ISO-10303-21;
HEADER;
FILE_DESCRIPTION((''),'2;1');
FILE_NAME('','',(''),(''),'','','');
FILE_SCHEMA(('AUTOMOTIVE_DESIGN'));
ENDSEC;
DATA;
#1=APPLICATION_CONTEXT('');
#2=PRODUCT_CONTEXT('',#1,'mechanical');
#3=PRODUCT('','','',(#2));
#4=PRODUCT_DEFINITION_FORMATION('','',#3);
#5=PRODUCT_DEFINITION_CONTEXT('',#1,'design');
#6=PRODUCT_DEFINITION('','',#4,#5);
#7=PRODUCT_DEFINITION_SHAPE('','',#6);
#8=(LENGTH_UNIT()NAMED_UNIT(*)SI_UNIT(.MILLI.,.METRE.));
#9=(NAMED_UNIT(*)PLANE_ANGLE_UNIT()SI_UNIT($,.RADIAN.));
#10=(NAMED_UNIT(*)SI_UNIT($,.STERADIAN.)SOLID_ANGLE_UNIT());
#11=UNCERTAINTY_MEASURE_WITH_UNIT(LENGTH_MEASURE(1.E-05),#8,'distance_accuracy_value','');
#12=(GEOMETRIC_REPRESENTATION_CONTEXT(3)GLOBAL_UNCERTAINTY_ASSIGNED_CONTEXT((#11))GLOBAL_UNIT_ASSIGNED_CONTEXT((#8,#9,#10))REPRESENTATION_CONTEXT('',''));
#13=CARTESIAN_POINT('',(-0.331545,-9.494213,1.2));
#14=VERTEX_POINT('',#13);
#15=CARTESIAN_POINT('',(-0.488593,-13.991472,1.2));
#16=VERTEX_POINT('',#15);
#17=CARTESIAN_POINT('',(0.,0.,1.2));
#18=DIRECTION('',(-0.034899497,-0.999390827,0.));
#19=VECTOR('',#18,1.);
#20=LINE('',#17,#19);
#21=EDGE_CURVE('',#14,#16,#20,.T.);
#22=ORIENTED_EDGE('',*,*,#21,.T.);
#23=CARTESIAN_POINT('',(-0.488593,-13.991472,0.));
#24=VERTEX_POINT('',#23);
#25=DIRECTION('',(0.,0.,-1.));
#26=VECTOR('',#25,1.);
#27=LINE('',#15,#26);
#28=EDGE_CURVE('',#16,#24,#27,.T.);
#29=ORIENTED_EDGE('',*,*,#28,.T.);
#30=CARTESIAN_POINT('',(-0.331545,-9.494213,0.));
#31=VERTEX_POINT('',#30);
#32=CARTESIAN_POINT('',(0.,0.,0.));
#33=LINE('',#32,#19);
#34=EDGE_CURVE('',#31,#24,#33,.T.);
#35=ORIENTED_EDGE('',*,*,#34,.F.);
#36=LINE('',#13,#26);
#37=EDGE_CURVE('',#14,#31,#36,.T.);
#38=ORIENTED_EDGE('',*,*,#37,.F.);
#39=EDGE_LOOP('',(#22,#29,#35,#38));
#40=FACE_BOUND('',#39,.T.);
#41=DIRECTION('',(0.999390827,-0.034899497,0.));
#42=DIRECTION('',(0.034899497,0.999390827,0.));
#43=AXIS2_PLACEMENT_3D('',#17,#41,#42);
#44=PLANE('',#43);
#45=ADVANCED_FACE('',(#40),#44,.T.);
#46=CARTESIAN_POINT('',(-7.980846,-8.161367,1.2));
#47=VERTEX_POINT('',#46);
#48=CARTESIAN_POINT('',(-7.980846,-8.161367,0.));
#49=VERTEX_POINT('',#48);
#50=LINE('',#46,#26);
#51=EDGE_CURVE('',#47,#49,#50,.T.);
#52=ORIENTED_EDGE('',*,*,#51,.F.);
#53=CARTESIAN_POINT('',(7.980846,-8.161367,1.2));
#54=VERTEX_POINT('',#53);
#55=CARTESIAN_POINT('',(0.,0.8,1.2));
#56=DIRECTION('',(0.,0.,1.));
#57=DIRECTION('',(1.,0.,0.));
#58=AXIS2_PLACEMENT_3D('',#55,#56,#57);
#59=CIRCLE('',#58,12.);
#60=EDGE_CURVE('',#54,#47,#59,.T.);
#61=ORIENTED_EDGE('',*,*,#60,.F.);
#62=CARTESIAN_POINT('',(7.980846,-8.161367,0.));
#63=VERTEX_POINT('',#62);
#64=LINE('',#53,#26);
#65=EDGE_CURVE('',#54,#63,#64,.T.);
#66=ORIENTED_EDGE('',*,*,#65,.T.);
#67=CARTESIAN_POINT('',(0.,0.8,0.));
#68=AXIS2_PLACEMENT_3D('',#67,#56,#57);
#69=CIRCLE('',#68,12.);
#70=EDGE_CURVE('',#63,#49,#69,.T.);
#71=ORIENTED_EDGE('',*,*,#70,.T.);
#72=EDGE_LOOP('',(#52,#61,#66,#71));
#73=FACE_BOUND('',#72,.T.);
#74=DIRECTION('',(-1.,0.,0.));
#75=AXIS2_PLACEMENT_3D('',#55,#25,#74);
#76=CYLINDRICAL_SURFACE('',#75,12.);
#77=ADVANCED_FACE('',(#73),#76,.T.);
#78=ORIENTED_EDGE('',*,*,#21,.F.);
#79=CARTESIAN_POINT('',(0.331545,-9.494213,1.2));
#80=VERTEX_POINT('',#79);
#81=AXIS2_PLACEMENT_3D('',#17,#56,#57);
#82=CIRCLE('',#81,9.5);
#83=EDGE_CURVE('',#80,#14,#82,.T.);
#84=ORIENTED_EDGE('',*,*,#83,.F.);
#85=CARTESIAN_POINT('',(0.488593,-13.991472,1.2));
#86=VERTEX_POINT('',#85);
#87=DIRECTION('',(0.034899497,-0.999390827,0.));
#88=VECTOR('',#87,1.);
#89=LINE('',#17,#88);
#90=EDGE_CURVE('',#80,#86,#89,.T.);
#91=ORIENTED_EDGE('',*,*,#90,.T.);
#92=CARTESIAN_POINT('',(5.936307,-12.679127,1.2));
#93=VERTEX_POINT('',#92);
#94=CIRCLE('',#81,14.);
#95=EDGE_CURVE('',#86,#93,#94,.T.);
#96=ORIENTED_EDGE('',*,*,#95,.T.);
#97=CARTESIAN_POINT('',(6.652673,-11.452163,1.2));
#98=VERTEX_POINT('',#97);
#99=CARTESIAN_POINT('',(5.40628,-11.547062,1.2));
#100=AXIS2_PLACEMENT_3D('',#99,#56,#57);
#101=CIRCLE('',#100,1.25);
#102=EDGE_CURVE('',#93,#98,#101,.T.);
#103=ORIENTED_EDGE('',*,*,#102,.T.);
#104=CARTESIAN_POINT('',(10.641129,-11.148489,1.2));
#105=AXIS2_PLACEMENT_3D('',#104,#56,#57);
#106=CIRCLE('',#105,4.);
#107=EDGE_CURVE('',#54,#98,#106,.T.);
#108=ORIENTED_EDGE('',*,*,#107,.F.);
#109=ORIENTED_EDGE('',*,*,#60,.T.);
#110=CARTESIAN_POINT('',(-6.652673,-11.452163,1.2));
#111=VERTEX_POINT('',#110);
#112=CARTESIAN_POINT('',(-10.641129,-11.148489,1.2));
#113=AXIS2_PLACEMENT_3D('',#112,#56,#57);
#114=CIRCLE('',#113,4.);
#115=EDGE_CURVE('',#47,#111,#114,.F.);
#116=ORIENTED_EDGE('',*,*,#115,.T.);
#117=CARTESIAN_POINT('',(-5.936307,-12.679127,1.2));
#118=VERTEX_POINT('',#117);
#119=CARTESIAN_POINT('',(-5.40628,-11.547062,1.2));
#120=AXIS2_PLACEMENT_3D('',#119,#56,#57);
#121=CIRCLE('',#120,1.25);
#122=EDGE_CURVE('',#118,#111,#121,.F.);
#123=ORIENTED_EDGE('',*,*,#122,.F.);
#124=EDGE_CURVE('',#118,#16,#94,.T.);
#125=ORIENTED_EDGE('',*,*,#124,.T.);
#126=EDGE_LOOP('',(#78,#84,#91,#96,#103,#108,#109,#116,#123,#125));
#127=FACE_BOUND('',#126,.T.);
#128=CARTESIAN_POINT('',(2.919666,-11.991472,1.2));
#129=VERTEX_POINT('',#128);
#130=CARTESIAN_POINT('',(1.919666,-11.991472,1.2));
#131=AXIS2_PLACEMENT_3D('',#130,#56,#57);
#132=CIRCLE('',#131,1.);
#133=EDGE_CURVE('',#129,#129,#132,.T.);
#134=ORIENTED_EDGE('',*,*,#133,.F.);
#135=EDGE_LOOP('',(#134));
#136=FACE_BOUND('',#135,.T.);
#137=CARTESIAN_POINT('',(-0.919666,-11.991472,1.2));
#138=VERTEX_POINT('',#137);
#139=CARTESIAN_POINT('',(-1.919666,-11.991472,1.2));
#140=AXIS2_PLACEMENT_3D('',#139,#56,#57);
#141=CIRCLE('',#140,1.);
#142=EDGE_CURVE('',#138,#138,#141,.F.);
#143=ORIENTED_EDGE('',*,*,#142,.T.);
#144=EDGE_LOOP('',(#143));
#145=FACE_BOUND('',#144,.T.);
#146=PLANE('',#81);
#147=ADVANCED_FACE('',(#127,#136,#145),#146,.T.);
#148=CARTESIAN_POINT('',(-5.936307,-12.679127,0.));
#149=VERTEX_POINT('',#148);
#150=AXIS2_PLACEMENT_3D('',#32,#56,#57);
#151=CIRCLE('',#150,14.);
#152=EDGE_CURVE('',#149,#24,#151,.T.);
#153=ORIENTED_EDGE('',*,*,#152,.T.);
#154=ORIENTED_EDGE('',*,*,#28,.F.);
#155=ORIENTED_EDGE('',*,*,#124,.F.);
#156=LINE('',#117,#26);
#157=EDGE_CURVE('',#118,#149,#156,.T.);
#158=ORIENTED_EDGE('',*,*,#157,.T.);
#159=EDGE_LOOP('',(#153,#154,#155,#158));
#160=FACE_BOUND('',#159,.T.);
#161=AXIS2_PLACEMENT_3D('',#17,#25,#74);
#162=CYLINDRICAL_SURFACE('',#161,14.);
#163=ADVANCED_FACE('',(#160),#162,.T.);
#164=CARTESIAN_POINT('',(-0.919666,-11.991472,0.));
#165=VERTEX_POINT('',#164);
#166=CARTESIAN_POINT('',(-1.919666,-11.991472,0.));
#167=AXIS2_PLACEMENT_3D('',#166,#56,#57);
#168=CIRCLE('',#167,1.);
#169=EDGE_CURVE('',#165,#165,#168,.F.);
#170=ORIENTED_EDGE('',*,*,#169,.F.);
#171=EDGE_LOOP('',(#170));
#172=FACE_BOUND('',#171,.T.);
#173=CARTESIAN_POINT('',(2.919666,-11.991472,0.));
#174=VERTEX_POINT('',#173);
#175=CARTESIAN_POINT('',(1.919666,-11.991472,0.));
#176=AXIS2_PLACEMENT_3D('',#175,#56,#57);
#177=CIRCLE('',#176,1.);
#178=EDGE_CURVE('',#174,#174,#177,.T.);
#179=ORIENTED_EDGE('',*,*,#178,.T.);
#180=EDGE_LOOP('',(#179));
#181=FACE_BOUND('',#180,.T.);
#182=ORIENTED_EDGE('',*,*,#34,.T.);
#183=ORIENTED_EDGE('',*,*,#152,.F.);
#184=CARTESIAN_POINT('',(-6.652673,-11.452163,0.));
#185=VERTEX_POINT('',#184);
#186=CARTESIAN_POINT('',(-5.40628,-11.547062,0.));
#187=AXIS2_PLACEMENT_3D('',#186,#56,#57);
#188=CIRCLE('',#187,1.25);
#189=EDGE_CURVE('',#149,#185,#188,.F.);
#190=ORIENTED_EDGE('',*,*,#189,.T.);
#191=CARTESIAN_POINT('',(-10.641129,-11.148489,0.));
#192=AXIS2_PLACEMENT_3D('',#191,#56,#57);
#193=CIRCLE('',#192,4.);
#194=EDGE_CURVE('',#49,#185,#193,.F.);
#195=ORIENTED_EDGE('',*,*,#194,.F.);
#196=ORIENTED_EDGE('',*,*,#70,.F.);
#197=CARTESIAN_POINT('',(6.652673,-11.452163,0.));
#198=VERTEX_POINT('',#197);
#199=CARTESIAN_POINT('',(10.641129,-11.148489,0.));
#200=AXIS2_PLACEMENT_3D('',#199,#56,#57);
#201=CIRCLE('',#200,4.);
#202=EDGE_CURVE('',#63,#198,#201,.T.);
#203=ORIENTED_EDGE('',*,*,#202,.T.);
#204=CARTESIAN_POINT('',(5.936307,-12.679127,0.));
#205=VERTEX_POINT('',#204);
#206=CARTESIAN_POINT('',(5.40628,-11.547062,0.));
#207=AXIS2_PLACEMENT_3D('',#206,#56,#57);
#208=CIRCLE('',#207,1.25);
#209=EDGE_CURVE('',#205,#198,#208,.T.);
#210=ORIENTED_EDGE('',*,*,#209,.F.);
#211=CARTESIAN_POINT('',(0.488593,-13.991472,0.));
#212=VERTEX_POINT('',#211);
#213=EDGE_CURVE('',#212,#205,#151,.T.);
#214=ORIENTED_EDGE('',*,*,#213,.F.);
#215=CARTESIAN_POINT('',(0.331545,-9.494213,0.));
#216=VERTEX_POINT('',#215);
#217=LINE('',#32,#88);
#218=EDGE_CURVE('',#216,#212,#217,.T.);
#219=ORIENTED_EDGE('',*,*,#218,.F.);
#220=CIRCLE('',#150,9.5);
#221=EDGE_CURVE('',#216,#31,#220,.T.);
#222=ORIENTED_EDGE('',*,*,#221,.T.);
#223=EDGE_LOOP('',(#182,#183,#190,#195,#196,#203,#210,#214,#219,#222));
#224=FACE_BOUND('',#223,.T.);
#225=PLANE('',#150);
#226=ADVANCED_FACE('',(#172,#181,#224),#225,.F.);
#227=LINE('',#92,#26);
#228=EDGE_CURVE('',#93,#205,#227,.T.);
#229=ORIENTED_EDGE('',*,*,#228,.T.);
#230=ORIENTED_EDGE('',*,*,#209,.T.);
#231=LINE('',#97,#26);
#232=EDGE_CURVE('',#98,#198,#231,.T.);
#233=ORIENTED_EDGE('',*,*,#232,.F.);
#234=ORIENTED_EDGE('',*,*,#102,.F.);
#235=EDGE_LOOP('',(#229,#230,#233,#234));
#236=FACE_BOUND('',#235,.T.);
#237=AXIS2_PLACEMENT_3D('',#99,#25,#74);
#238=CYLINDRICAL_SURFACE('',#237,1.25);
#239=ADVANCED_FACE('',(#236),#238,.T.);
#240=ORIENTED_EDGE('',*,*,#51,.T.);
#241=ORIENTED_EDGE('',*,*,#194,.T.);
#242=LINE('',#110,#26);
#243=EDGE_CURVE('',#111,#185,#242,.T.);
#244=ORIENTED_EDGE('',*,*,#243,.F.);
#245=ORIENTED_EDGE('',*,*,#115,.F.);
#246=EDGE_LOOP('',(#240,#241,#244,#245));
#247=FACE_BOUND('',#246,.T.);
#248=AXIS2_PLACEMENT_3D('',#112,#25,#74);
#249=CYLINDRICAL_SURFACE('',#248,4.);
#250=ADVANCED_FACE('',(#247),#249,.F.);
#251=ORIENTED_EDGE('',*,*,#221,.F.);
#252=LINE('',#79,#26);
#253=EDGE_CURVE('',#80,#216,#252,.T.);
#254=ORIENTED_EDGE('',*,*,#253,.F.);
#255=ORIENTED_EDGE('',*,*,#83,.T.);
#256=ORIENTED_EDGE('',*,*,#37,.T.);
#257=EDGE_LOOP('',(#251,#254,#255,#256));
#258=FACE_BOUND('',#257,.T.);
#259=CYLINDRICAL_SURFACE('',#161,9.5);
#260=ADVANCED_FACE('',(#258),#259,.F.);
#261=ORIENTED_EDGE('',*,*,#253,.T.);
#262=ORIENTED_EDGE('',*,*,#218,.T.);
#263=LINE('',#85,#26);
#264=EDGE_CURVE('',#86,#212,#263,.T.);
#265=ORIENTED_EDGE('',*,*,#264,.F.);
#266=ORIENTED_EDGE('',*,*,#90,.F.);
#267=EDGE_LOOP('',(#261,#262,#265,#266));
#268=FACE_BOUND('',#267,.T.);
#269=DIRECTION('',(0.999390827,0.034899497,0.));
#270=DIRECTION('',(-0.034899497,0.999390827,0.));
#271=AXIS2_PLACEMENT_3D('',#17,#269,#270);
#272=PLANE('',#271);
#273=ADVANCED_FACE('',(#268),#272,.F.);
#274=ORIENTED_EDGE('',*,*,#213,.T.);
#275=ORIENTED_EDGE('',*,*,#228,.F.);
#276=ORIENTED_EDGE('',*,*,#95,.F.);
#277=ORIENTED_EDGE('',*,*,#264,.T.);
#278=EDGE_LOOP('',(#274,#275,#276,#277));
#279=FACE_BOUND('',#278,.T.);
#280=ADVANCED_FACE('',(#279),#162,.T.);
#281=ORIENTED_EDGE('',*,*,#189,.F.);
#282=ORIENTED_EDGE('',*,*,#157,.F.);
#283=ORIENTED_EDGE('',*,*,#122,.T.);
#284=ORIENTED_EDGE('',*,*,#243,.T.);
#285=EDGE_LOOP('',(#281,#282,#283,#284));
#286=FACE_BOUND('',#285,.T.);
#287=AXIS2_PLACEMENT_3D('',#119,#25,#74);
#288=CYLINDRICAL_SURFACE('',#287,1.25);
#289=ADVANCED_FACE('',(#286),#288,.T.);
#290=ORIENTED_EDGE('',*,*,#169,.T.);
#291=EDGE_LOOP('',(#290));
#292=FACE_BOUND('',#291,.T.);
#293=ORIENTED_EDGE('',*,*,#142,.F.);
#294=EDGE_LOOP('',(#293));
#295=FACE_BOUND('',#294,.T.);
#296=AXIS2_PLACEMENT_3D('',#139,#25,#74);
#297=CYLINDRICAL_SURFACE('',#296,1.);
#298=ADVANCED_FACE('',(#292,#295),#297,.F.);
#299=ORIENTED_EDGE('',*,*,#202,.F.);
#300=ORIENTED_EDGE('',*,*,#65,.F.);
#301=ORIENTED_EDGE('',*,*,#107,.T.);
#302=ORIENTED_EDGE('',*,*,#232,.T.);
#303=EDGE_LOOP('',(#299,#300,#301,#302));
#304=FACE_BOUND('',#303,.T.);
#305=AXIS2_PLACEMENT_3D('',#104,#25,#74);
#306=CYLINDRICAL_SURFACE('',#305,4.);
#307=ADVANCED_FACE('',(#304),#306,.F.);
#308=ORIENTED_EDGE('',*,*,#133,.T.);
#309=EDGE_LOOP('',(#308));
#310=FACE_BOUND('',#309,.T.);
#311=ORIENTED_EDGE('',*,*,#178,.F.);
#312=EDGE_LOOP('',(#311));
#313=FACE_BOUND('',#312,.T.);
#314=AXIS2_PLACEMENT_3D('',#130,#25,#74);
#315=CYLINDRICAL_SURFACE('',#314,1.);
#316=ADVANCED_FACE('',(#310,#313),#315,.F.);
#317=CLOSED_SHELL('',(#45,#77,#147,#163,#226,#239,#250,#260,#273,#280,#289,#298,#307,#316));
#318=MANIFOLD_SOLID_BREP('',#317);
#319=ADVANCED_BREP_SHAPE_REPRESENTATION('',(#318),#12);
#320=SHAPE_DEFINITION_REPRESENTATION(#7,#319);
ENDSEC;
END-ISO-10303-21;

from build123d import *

# Parameters (mm, degrees)
SKETCH3_R           = 1.25
BOSS_EXTRUDE1_DEPTH = 1.2


with BuildPart() as part:
    # Sketch3 → Boss-Extrude1 (new body)
    with BuildSketch(Plane.XY):
        with BuildLine():
            ThreePointArc((9.5, 0), (6.833728103, -6.599254519), (0.331545219, -9.494212857))
            Line((0.331545219, -9.494212857), (0.390890237, -11.193631845))
            ThreePointArc((0.390890237, -11.193631845), (0.917194081, -11.164896783), (1.441728369, -11.113077659))
            ThreePointArc((1.441728369, -11.113077659), (1.771253828, -11.002545946), (2.118708081, -11.011480689))
            ThreePointArc((2.118708081, -11.011480689), (5.247002618, -9.99207874), (7.980846189, -8.161366754))
            ThreePointArc((7.980846189, -8.161366754), (10.949204407, -4.110694744), (12, 0.8))
            ThreePointArc((12, 0.8), (-4.910694694, 11.749204429), (-7.980846271, -8.161366682))
            ThreePointArc((-7.980846271, -8.161366682), (-5.247002667, -9.992078716), (-2.118708081, -11.011480689))
            ThreePointArc((-2.118708081, -11.011480689), (-1.771253828, -11.002545946), (-1.441728369, -11.113077659))
            ThreePointArc((-1.441728369, -11.113077659), (-0.917194081, -11.164896783), (-0.390890237, -11.193631845))
            Line((-0.390890237, -11.193631845), (-0.331545219, -9.494212857))
            ThreePointArc((-0.331545219, -9.494212857), (-6.599254519, 6.833728103), (9.5, 0))
        make_face()
        with BuildLine():
            Line((-0.488592954, -13.991471578), (-0.390890237, -11.193631845))
            ThreePointArc((-0.390890237, -11.193631845), (-0.917194081, -11.164896783), (-1.441728369, -11.113077659))
            ThreePointArc((-1.441728369, -11.113077659), (-1.060032855, -11.480559337), (-0.919665731, -11.991471578))
            ThreePointArc((-0.919665731, -11.991471578), (-2.552499695, -12.765759106), (-2.118708081, -11.011480689))
            ThreePointArc((-2.118708081, -11.011480689), (-5.247002667, -9.992078716), (-7.980846271, -8.161366682))
            ThreePointArc((-7.980846271, -8.161366682), (-6.991393703, -9.511590619), (-6.64112857, -11.148488723))
            ThreePointArc((-6.64112857, -11.148488723), (-6.6440156, -11.300435779), (-6.652672524, -11.452163497))
            ThreePointArc((-6.652672524, -11.452163497), (-5.358796576, -10.297964009), (-4.156280005, -11.547061813))
            ThreePointArc((-4.156280005, -11.547061813), (-4.735472335, -12.601821059), (-5.936307315, -12.679126762))
            ThreePointArc((-5.936307315, -12.679126762), (-3.278779971, -13.610642964), (-0.488592954, -13.991471578))
        make_face()
        with Locations((-5.406280005, -11.547061813)):
            Circle(SKETCH3_R)
        with BuildLine():
            ThreePointArc((1.441728369, -11.113077659), (0.917194081, -11.164896783), (0.390890237, -11.193631845))
            Line((0.390890237, -11.193631845), (0.488592954, -13.991471578))
            ThreePointArc((0.488592954, -13.991471578), (3.278779951, -13.610642969), (5.936307279, -12.67912678))
            ThreePointArc((5.936307279, -12.67912678), (4.326800249, -10.916805153), (6.652672524, -11.452163497))
            ThreePointArc((6.652672524, -11.452163497), (6.931847444, -9.65141373), (7.980846189, -8.161366754))
            ThreePointArc((7.980846189, -8.161366754), (5.247002618, -9.99207874), (2.118708081, -11.011480689))
            ThreePointArc((2.118708081, -11.011480689), (2.693953259, -11.358637615), (2.919665731, -11.991471578))
            ThreePointArc((2.919665731, -11.991471578), (1.40875349, -12.851104454), (1.441728369, -11.113077659))
        make_face()
        with Locations((5.406280005, -11.547061813)):
            Circle(SKETCH3_R)
    extrude(amount=BOSS_EXTRUDE1_DEPTH)


solid = part.part
